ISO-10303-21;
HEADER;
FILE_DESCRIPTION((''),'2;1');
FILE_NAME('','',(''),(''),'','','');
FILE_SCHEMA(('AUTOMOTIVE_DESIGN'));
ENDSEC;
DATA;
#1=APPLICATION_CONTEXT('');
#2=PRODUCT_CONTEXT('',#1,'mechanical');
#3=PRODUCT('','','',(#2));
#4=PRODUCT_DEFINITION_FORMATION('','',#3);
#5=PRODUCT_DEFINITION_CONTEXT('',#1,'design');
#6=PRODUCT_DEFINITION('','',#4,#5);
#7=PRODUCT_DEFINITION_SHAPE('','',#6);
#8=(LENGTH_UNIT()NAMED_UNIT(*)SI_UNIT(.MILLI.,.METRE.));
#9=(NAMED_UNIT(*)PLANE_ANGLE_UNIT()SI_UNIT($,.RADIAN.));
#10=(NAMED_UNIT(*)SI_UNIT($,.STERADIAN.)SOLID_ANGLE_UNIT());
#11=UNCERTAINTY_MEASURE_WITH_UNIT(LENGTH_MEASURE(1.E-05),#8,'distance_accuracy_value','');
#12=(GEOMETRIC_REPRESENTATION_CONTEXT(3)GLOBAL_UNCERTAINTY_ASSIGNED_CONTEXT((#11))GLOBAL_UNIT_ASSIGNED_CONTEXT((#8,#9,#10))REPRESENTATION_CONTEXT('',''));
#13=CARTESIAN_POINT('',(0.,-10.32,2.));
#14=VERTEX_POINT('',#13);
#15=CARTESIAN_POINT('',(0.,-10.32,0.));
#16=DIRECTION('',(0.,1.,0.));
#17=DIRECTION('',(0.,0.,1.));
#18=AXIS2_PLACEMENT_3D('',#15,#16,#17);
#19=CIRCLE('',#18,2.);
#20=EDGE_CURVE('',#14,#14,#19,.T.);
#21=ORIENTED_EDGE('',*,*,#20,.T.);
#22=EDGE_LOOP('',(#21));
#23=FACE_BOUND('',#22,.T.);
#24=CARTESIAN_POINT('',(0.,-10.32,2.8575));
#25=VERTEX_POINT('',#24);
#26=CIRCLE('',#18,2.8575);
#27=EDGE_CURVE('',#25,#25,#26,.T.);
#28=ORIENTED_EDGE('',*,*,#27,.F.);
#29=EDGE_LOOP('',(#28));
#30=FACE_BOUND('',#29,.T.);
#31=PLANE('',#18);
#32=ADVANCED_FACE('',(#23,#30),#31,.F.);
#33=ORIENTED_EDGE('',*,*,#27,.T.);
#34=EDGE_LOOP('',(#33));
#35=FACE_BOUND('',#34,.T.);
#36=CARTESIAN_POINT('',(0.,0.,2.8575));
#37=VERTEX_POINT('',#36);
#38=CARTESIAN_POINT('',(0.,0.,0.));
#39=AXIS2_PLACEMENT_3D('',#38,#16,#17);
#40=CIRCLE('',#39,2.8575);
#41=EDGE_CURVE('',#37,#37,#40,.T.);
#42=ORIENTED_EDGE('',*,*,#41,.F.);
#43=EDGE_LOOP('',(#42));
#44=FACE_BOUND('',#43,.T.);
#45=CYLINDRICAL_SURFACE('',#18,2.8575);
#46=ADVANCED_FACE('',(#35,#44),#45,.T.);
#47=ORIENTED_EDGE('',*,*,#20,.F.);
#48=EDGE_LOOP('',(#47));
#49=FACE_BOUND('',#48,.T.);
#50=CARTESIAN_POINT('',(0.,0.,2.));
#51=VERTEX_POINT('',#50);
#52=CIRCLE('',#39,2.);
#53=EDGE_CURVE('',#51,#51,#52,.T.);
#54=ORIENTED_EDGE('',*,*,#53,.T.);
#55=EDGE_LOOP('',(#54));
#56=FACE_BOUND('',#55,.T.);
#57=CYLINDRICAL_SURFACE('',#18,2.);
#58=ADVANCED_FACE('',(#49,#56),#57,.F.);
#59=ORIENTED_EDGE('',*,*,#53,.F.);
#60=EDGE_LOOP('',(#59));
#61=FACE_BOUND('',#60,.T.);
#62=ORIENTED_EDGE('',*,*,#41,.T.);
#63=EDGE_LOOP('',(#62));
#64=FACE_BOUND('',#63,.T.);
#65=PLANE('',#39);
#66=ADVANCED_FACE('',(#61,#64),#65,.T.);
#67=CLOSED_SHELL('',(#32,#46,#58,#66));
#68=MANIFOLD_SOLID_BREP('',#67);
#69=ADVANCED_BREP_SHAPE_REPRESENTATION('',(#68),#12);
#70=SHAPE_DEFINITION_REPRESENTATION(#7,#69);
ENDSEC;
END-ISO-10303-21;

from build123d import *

# Parameters (mm, degrees)
SKETCH1_R           = 2.8575
SKETCH1_R_2         = 2
BOSS_EXTRUDE1_DEPTH = 10.32


with BuildPart() as part:
    # Sketch1 → Boss-Extrude1 (new body)
    with BuildSketch(Plane(origin=(0, 0, 0), x_dir=(1, 0, 0), z_dir=(0, 1, 0))):
        with Locations(Location((0, 0, 0), (0, 0, 270))):
            Circle(SKETCH1_R)
        with Locations(Location((0, 0, 0), (0, 0, 270))):
            Circle(SKETCH1_R_2, mode=Mode.SUBTRACT)
    extrude(amount=-BOSS_EXTRUDE1_DEPTH)


solid = part.part
